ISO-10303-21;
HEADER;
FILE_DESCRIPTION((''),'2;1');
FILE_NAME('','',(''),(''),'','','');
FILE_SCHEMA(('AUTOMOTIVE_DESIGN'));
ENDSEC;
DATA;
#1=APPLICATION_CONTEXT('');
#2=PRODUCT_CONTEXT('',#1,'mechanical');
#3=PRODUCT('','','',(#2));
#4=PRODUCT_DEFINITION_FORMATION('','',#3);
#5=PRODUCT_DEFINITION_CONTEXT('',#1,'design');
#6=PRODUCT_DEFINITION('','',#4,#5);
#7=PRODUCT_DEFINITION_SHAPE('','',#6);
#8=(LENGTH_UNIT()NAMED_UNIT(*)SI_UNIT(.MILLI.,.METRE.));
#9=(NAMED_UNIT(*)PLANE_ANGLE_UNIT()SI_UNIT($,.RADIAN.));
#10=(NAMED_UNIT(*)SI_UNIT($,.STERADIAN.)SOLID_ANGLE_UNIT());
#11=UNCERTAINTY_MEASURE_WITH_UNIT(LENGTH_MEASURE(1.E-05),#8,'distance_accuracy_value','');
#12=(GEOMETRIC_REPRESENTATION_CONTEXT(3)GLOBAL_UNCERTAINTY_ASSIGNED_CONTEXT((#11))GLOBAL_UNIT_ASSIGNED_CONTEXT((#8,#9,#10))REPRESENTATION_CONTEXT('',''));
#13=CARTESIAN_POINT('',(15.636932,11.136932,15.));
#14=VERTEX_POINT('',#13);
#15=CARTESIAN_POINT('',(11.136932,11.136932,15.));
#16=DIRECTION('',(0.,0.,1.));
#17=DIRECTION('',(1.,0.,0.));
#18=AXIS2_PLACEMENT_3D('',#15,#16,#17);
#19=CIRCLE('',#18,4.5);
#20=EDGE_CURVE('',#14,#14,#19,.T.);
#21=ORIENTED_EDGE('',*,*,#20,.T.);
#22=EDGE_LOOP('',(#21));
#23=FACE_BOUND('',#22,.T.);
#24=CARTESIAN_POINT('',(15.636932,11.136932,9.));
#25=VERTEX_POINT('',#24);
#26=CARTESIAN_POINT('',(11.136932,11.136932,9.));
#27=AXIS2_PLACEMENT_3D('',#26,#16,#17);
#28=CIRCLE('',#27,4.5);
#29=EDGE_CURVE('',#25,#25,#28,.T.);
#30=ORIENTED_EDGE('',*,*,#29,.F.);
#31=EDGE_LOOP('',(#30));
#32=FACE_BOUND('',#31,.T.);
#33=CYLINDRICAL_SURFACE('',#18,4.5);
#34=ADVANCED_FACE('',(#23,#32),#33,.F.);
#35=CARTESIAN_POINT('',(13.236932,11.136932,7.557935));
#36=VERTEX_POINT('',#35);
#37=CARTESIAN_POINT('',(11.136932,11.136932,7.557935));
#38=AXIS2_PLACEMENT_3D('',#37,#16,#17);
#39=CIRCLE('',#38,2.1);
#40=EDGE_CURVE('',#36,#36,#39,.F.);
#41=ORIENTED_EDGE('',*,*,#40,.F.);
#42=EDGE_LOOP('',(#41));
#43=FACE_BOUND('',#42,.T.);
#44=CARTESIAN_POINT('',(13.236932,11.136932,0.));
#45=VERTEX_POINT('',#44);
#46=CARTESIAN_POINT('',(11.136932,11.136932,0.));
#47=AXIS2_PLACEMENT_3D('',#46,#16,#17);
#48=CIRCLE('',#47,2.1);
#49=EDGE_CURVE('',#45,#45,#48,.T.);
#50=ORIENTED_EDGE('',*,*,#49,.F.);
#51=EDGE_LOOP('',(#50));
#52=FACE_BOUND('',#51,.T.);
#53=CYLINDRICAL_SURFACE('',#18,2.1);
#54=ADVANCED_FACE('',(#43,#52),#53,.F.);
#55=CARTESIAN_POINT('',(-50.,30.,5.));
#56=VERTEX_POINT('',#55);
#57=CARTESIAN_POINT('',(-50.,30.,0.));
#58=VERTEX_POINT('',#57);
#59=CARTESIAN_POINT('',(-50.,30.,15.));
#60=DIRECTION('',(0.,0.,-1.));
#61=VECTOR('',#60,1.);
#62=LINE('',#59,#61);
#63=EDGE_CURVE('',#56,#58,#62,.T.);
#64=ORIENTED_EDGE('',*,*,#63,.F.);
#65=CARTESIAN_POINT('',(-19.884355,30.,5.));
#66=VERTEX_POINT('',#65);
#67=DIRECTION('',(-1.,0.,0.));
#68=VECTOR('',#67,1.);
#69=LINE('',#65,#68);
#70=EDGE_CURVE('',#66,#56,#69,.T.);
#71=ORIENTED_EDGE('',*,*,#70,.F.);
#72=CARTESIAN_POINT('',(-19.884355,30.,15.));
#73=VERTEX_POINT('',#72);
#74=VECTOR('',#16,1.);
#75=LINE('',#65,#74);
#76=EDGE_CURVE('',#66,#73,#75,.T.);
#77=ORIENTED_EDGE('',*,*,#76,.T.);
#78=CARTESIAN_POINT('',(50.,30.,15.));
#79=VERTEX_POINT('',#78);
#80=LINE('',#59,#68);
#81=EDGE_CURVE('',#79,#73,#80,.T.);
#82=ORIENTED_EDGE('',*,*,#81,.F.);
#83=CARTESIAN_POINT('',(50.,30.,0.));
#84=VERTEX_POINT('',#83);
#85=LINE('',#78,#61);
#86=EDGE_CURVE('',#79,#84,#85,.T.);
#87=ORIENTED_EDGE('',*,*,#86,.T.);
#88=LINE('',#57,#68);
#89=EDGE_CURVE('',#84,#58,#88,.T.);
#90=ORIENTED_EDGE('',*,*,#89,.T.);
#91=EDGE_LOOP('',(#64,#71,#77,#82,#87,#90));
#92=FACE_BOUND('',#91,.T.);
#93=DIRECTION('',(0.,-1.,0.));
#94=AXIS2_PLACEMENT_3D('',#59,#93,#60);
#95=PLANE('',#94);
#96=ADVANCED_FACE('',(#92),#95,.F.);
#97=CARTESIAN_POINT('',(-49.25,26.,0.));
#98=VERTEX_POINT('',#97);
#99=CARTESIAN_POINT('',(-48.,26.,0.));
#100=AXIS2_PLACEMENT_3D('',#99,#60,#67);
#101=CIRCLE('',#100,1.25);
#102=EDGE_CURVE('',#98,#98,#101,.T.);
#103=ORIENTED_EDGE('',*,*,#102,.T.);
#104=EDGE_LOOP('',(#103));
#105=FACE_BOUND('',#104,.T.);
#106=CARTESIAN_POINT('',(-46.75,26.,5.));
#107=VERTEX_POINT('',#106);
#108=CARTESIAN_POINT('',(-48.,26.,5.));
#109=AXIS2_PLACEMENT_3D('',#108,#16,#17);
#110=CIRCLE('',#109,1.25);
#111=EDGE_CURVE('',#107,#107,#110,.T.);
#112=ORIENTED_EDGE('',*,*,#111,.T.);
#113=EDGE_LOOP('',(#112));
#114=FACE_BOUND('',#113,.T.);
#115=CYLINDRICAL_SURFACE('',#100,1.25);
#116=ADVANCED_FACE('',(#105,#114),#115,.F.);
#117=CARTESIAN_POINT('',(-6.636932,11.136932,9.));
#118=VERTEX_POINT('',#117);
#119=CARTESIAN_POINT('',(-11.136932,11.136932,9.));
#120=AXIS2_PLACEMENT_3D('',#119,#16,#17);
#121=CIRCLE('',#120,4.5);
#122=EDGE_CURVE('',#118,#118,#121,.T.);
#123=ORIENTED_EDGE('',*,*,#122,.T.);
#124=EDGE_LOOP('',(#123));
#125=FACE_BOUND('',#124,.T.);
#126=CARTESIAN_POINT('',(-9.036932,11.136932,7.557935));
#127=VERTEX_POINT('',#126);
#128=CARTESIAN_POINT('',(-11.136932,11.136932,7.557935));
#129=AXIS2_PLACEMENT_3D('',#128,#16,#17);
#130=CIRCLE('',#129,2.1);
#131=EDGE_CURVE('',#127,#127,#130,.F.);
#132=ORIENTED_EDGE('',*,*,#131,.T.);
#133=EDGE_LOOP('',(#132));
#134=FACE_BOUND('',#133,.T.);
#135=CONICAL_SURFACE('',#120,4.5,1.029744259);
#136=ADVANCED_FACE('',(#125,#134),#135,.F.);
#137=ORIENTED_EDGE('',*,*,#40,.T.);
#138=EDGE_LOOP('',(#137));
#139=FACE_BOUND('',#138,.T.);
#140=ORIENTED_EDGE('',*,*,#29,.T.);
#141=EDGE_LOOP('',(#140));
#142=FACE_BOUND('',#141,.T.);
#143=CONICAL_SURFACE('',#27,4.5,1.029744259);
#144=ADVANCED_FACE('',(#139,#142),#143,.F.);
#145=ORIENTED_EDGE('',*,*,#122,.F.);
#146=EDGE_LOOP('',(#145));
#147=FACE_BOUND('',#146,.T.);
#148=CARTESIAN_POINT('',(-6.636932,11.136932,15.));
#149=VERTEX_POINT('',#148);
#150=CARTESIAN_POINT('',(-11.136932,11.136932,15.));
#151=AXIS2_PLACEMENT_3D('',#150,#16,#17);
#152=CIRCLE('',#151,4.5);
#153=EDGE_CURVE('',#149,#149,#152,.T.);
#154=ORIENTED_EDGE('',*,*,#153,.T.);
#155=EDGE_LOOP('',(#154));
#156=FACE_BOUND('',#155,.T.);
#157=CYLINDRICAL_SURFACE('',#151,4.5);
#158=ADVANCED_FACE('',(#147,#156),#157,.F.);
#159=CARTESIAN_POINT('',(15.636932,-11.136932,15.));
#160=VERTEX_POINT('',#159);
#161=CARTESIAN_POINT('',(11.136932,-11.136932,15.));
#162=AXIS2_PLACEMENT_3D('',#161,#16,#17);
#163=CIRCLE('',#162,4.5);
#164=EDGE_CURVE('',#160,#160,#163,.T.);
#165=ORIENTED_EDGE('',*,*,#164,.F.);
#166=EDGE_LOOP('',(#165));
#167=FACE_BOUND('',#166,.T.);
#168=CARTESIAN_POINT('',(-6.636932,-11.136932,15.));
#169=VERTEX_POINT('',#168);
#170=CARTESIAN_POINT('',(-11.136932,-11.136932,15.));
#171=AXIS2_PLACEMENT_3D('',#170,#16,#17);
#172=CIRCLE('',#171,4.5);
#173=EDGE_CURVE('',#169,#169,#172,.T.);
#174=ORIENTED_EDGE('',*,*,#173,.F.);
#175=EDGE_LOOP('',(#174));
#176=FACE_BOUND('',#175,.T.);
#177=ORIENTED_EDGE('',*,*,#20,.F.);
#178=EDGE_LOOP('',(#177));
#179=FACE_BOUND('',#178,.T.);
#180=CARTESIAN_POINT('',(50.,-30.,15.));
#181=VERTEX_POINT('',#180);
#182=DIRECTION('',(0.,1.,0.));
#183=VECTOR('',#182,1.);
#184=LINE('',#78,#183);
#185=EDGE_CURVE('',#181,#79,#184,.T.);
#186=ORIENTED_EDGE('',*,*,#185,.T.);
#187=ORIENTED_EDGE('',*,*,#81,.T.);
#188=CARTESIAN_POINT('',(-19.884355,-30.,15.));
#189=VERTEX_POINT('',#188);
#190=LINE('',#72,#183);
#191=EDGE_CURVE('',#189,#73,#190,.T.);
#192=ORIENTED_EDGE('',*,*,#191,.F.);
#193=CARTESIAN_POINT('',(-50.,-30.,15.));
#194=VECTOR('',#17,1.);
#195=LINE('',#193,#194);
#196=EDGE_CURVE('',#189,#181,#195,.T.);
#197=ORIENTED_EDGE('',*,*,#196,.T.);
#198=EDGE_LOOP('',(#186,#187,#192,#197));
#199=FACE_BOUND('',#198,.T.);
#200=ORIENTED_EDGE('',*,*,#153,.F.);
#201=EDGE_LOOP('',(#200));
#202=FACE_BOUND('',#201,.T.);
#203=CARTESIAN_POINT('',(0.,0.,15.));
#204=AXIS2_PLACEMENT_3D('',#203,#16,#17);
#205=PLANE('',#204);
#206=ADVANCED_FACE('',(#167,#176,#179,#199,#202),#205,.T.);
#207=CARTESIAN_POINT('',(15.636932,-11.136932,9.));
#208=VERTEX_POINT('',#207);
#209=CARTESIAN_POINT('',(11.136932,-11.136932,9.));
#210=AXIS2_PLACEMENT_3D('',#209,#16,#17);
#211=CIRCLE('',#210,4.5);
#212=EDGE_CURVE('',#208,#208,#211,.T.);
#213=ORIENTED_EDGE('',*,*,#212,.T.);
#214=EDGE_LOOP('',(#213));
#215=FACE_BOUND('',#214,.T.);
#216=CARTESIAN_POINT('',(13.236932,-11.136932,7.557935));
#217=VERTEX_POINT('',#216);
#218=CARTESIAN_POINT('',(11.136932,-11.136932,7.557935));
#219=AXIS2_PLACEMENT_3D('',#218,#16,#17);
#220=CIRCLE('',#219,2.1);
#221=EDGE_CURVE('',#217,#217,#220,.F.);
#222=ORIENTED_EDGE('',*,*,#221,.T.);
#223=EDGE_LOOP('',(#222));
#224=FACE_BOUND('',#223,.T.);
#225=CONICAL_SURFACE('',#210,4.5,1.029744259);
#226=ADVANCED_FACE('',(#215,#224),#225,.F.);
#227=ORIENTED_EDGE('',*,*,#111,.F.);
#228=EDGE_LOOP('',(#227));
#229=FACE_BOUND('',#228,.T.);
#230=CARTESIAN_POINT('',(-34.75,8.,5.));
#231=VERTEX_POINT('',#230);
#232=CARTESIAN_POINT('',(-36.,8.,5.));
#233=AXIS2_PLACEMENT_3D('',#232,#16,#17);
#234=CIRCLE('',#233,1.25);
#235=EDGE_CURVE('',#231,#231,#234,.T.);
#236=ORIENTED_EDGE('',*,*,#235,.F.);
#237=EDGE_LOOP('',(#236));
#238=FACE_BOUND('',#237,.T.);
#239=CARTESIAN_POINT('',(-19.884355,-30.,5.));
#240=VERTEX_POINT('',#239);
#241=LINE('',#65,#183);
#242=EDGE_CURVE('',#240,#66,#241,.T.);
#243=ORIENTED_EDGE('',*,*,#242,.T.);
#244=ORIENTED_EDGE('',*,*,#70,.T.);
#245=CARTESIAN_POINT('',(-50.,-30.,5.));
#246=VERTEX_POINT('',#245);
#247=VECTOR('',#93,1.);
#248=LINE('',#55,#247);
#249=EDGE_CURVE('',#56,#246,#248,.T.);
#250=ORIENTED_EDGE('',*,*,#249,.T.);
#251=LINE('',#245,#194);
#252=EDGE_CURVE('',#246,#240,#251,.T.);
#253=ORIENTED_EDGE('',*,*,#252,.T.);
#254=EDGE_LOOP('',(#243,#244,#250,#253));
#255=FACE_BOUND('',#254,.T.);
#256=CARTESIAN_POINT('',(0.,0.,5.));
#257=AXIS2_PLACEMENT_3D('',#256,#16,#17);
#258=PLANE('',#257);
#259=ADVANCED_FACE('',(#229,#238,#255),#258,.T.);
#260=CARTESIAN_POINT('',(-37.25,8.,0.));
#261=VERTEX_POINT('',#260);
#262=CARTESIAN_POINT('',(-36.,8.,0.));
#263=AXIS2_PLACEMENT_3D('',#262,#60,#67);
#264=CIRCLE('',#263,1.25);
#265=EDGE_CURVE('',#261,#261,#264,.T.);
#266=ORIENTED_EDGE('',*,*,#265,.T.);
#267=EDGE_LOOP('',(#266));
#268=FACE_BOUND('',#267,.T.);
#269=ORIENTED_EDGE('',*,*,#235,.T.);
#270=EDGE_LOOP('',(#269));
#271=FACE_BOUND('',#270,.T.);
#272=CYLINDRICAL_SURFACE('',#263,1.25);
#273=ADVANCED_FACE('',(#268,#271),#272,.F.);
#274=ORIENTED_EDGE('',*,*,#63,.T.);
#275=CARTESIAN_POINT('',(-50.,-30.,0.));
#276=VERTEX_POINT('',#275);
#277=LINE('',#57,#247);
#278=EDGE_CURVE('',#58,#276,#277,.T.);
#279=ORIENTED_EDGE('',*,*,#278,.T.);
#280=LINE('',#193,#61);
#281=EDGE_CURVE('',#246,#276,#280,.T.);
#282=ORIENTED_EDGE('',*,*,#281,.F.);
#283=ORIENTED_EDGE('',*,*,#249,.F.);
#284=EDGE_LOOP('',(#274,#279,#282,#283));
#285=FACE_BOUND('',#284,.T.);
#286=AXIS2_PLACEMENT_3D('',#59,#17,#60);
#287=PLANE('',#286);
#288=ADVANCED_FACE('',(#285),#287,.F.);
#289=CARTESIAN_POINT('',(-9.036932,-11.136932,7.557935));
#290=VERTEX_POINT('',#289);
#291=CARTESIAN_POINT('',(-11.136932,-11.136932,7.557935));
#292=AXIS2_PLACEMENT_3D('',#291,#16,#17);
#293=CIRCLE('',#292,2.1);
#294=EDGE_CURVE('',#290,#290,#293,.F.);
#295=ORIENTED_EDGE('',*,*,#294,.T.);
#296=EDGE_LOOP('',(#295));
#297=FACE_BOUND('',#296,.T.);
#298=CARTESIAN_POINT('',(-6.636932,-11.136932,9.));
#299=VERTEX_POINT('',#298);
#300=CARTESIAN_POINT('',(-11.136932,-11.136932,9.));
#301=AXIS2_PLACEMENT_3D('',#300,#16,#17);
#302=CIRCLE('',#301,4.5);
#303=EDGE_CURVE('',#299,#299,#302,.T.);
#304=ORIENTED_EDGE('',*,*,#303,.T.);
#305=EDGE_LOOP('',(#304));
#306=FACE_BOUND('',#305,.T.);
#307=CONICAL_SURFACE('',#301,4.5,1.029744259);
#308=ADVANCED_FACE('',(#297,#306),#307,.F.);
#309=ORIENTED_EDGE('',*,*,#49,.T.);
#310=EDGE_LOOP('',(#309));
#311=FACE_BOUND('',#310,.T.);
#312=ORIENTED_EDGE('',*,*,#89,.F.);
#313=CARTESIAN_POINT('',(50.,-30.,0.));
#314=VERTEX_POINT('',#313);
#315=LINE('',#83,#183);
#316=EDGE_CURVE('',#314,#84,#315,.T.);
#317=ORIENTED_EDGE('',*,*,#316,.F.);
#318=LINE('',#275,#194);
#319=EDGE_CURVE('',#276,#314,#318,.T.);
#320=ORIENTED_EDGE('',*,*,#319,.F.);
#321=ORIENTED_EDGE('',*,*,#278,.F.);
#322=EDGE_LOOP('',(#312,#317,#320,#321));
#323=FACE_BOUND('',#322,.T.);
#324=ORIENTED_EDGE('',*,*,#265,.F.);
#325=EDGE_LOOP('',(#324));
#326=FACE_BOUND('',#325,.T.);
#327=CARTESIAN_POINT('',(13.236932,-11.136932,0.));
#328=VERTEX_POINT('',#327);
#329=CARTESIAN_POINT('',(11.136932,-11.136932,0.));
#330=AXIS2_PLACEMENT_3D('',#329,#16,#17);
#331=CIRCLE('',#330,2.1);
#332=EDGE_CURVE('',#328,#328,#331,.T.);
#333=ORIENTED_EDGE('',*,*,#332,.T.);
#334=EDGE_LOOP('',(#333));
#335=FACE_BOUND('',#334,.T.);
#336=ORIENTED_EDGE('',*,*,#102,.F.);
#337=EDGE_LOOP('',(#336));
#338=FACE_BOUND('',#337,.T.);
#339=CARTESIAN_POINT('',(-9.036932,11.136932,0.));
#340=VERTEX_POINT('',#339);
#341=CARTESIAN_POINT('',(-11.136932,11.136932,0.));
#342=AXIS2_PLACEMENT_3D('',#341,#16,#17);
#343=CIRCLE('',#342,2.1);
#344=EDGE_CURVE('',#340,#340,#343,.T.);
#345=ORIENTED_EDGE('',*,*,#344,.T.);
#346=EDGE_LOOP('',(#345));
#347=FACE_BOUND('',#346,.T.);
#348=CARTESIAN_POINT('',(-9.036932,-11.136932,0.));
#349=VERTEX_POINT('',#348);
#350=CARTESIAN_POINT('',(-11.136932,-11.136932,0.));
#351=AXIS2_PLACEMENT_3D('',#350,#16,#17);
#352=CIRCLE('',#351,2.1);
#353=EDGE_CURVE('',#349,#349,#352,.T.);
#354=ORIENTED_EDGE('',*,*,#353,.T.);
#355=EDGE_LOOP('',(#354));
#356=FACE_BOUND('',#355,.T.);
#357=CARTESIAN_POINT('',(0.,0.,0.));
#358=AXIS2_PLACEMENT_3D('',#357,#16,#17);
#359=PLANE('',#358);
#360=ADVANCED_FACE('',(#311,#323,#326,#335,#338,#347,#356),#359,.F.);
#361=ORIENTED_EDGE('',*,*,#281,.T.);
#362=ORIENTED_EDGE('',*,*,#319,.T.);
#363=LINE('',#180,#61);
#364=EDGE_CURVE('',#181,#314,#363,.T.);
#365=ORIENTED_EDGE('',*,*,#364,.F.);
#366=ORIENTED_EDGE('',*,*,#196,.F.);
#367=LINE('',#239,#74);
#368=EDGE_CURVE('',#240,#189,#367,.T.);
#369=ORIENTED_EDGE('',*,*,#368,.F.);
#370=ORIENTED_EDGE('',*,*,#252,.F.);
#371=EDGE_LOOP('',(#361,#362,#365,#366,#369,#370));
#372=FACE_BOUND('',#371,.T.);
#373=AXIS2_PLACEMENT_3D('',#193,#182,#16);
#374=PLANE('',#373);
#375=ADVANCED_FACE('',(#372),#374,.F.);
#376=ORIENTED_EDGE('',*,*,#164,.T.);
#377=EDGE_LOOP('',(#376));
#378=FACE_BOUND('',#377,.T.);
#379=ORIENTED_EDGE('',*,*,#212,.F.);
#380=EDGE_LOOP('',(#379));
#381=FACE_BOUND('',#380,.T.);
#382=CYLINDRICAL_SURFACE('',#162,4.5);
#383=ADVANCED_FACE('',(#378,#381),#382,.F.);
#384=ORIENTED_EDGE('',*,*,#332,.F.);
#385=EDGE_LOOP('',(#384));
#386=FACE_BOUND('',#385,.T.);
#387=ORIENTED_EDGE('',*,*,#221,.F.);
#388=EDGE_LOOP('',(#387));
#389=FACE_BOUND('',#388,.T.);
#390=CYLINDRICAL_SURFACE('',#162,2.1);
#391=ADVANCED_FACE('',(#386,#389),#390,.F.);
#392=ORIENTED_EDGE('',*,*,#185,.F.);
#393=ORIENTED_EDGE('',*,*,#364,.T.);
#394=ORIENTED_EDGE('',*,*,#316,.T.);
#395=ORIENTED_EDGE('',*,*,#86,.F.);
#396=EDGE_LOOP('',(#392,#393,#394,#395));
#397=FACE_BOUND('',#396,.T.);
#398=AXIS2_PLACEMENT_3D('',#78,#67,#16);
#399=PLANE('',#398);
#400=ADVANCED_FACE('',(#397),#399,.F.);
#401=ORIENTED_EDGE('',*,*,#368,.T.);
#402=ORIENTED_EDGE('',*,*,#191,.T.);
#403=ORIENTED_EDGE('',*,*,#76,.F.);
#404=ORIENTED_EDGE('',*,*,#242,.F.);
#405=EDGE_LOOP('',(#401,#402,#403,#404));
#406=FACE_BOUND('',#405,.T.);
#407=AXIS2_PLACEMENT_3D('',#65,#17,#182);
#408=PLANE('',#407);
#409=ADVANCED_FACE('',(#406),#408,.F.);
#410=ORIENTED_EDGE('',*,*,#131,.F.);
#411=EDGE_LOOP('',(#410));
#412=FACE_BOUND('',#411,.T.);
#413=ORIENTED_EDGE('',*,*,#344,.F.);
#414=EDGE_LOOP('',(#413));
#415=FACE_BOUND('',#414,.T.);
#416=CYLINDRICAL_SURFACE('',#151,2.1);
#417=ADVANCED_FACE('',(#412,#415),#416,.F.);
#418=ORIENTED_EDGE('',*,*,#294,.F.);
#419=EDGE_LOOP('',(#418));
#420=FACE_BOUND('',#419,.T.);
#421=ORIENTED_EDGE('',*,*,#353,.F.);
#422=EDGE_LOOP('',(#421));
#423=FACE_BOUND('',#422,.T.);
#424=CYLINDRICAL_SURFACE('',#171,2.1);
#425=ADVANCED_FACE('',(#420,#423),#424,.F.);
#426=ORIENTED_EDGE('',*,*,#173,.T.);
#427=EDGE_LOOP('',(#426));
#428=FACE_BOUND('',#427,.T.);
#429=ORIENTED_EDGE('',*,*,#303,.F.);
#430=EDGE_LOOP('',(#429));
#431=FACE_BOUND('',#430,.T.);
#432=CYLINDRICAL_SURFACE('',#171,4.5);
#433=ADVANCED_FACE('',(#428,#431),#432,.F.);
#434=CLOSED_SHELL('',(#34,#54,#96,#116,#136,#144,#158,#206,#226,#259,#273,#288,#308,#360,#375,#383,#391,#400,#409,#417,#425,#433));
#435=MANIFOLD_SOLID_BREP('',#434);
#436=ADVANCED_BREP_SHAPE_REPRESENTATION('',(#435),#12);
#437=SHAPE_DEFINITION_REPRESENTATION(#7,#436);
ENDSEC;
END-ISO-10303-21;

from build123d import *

# Parameters (mm, degrees)
SKETCH_1_W                = 100
SKETCH_1_H                = 60
EXTRUDE_1_DEPTH           = 15
HOLE_WIZARD_9_0_9_1_D     = 9
HOLE_WIZARD_9_0_9_1_DEPTH = 6
HOLE_WIZARD_9_0_9_1_TIP   = 2.703872786
HOLE_WIZARD_M5_2_D        = 4.2
SKETCH_8_W                = 30.11564459
SKETCH_8_H                = 60
CUT_EXTRUDE_2_DEPTH       = 10
HOLE_WIZARD_M3_1_D        = 2.5


with BuildPart() as part:
    # 스케치1 → 보스-돌출1 (new body)
    with BuildSketch(Plane.XY):
        Rectangle(SKETCH_1_W, SKETCH_1_H)
    extrude(amount=EXTRUDE_1_DEPTH)

    # Ø9.0 (9) 지름 구멍1
    with Locations(Plane(origin=(-11.136931804, 11.136931804, 15), x_dir=(1, 0, 0), z_dir=(0, 0, 1))):
        with Locations((0, 0), (22.273863608, 0), (0, -22.273863608), (22.273863608, -22.273863608)):
            Hole(HOLE_WIZARD_9_0_9_1_D / 2, depth=HOLE_WIZARD_9_0_9_1_DEPTH)
            with Locations((0, 0, -(HOLE_WIZARD_9_0_9_1_DEPTH + HOLE_WIZARD_9_0_9_1_TIP / 2))):  # 118° drill point
                Cone(0, HOLE_WIZARD_9_0_9_1_D / 2, HOLE_WIZARD_9_0_9_1_TIP, mode=Mode.SUBTRACT)

    # M5 나사 구멍2 (through all)
    with Locations(Plane.XY.offset(15)):
        with Locations((-11.136931804, 11.136931804), (11.136931804, 11.136931804), (11.136931804, -11.136931804), (-11.136931804, -11.136931804)):
            Hole(HOLE_WIZARD_M5_2_D / 2)

    # 스케치8 → 컷-돌출2 (cut)
    with BuildSketch(Plane.XY.offset(15)):
        with Locations((-34.942177705, 0)):
            Rectangle(SKETCH_8_W, SKETCH_8_H)
    extrude(amount=-CUT_EXTRUDE_2_DEPTH, mode=Mode.SUBTRACT)

    # M3 나사 구멍1 (through all)
    with Locations(Plane(origin=(-36, 8, 0), x_dir=(-1, 0, 0), z_dir=(0, 0, -1))):
        with Locations((0, 0), (12, 18)):
            Hole(HOLE_WIZARD_M3_1_D / 2)


solid = part.part
